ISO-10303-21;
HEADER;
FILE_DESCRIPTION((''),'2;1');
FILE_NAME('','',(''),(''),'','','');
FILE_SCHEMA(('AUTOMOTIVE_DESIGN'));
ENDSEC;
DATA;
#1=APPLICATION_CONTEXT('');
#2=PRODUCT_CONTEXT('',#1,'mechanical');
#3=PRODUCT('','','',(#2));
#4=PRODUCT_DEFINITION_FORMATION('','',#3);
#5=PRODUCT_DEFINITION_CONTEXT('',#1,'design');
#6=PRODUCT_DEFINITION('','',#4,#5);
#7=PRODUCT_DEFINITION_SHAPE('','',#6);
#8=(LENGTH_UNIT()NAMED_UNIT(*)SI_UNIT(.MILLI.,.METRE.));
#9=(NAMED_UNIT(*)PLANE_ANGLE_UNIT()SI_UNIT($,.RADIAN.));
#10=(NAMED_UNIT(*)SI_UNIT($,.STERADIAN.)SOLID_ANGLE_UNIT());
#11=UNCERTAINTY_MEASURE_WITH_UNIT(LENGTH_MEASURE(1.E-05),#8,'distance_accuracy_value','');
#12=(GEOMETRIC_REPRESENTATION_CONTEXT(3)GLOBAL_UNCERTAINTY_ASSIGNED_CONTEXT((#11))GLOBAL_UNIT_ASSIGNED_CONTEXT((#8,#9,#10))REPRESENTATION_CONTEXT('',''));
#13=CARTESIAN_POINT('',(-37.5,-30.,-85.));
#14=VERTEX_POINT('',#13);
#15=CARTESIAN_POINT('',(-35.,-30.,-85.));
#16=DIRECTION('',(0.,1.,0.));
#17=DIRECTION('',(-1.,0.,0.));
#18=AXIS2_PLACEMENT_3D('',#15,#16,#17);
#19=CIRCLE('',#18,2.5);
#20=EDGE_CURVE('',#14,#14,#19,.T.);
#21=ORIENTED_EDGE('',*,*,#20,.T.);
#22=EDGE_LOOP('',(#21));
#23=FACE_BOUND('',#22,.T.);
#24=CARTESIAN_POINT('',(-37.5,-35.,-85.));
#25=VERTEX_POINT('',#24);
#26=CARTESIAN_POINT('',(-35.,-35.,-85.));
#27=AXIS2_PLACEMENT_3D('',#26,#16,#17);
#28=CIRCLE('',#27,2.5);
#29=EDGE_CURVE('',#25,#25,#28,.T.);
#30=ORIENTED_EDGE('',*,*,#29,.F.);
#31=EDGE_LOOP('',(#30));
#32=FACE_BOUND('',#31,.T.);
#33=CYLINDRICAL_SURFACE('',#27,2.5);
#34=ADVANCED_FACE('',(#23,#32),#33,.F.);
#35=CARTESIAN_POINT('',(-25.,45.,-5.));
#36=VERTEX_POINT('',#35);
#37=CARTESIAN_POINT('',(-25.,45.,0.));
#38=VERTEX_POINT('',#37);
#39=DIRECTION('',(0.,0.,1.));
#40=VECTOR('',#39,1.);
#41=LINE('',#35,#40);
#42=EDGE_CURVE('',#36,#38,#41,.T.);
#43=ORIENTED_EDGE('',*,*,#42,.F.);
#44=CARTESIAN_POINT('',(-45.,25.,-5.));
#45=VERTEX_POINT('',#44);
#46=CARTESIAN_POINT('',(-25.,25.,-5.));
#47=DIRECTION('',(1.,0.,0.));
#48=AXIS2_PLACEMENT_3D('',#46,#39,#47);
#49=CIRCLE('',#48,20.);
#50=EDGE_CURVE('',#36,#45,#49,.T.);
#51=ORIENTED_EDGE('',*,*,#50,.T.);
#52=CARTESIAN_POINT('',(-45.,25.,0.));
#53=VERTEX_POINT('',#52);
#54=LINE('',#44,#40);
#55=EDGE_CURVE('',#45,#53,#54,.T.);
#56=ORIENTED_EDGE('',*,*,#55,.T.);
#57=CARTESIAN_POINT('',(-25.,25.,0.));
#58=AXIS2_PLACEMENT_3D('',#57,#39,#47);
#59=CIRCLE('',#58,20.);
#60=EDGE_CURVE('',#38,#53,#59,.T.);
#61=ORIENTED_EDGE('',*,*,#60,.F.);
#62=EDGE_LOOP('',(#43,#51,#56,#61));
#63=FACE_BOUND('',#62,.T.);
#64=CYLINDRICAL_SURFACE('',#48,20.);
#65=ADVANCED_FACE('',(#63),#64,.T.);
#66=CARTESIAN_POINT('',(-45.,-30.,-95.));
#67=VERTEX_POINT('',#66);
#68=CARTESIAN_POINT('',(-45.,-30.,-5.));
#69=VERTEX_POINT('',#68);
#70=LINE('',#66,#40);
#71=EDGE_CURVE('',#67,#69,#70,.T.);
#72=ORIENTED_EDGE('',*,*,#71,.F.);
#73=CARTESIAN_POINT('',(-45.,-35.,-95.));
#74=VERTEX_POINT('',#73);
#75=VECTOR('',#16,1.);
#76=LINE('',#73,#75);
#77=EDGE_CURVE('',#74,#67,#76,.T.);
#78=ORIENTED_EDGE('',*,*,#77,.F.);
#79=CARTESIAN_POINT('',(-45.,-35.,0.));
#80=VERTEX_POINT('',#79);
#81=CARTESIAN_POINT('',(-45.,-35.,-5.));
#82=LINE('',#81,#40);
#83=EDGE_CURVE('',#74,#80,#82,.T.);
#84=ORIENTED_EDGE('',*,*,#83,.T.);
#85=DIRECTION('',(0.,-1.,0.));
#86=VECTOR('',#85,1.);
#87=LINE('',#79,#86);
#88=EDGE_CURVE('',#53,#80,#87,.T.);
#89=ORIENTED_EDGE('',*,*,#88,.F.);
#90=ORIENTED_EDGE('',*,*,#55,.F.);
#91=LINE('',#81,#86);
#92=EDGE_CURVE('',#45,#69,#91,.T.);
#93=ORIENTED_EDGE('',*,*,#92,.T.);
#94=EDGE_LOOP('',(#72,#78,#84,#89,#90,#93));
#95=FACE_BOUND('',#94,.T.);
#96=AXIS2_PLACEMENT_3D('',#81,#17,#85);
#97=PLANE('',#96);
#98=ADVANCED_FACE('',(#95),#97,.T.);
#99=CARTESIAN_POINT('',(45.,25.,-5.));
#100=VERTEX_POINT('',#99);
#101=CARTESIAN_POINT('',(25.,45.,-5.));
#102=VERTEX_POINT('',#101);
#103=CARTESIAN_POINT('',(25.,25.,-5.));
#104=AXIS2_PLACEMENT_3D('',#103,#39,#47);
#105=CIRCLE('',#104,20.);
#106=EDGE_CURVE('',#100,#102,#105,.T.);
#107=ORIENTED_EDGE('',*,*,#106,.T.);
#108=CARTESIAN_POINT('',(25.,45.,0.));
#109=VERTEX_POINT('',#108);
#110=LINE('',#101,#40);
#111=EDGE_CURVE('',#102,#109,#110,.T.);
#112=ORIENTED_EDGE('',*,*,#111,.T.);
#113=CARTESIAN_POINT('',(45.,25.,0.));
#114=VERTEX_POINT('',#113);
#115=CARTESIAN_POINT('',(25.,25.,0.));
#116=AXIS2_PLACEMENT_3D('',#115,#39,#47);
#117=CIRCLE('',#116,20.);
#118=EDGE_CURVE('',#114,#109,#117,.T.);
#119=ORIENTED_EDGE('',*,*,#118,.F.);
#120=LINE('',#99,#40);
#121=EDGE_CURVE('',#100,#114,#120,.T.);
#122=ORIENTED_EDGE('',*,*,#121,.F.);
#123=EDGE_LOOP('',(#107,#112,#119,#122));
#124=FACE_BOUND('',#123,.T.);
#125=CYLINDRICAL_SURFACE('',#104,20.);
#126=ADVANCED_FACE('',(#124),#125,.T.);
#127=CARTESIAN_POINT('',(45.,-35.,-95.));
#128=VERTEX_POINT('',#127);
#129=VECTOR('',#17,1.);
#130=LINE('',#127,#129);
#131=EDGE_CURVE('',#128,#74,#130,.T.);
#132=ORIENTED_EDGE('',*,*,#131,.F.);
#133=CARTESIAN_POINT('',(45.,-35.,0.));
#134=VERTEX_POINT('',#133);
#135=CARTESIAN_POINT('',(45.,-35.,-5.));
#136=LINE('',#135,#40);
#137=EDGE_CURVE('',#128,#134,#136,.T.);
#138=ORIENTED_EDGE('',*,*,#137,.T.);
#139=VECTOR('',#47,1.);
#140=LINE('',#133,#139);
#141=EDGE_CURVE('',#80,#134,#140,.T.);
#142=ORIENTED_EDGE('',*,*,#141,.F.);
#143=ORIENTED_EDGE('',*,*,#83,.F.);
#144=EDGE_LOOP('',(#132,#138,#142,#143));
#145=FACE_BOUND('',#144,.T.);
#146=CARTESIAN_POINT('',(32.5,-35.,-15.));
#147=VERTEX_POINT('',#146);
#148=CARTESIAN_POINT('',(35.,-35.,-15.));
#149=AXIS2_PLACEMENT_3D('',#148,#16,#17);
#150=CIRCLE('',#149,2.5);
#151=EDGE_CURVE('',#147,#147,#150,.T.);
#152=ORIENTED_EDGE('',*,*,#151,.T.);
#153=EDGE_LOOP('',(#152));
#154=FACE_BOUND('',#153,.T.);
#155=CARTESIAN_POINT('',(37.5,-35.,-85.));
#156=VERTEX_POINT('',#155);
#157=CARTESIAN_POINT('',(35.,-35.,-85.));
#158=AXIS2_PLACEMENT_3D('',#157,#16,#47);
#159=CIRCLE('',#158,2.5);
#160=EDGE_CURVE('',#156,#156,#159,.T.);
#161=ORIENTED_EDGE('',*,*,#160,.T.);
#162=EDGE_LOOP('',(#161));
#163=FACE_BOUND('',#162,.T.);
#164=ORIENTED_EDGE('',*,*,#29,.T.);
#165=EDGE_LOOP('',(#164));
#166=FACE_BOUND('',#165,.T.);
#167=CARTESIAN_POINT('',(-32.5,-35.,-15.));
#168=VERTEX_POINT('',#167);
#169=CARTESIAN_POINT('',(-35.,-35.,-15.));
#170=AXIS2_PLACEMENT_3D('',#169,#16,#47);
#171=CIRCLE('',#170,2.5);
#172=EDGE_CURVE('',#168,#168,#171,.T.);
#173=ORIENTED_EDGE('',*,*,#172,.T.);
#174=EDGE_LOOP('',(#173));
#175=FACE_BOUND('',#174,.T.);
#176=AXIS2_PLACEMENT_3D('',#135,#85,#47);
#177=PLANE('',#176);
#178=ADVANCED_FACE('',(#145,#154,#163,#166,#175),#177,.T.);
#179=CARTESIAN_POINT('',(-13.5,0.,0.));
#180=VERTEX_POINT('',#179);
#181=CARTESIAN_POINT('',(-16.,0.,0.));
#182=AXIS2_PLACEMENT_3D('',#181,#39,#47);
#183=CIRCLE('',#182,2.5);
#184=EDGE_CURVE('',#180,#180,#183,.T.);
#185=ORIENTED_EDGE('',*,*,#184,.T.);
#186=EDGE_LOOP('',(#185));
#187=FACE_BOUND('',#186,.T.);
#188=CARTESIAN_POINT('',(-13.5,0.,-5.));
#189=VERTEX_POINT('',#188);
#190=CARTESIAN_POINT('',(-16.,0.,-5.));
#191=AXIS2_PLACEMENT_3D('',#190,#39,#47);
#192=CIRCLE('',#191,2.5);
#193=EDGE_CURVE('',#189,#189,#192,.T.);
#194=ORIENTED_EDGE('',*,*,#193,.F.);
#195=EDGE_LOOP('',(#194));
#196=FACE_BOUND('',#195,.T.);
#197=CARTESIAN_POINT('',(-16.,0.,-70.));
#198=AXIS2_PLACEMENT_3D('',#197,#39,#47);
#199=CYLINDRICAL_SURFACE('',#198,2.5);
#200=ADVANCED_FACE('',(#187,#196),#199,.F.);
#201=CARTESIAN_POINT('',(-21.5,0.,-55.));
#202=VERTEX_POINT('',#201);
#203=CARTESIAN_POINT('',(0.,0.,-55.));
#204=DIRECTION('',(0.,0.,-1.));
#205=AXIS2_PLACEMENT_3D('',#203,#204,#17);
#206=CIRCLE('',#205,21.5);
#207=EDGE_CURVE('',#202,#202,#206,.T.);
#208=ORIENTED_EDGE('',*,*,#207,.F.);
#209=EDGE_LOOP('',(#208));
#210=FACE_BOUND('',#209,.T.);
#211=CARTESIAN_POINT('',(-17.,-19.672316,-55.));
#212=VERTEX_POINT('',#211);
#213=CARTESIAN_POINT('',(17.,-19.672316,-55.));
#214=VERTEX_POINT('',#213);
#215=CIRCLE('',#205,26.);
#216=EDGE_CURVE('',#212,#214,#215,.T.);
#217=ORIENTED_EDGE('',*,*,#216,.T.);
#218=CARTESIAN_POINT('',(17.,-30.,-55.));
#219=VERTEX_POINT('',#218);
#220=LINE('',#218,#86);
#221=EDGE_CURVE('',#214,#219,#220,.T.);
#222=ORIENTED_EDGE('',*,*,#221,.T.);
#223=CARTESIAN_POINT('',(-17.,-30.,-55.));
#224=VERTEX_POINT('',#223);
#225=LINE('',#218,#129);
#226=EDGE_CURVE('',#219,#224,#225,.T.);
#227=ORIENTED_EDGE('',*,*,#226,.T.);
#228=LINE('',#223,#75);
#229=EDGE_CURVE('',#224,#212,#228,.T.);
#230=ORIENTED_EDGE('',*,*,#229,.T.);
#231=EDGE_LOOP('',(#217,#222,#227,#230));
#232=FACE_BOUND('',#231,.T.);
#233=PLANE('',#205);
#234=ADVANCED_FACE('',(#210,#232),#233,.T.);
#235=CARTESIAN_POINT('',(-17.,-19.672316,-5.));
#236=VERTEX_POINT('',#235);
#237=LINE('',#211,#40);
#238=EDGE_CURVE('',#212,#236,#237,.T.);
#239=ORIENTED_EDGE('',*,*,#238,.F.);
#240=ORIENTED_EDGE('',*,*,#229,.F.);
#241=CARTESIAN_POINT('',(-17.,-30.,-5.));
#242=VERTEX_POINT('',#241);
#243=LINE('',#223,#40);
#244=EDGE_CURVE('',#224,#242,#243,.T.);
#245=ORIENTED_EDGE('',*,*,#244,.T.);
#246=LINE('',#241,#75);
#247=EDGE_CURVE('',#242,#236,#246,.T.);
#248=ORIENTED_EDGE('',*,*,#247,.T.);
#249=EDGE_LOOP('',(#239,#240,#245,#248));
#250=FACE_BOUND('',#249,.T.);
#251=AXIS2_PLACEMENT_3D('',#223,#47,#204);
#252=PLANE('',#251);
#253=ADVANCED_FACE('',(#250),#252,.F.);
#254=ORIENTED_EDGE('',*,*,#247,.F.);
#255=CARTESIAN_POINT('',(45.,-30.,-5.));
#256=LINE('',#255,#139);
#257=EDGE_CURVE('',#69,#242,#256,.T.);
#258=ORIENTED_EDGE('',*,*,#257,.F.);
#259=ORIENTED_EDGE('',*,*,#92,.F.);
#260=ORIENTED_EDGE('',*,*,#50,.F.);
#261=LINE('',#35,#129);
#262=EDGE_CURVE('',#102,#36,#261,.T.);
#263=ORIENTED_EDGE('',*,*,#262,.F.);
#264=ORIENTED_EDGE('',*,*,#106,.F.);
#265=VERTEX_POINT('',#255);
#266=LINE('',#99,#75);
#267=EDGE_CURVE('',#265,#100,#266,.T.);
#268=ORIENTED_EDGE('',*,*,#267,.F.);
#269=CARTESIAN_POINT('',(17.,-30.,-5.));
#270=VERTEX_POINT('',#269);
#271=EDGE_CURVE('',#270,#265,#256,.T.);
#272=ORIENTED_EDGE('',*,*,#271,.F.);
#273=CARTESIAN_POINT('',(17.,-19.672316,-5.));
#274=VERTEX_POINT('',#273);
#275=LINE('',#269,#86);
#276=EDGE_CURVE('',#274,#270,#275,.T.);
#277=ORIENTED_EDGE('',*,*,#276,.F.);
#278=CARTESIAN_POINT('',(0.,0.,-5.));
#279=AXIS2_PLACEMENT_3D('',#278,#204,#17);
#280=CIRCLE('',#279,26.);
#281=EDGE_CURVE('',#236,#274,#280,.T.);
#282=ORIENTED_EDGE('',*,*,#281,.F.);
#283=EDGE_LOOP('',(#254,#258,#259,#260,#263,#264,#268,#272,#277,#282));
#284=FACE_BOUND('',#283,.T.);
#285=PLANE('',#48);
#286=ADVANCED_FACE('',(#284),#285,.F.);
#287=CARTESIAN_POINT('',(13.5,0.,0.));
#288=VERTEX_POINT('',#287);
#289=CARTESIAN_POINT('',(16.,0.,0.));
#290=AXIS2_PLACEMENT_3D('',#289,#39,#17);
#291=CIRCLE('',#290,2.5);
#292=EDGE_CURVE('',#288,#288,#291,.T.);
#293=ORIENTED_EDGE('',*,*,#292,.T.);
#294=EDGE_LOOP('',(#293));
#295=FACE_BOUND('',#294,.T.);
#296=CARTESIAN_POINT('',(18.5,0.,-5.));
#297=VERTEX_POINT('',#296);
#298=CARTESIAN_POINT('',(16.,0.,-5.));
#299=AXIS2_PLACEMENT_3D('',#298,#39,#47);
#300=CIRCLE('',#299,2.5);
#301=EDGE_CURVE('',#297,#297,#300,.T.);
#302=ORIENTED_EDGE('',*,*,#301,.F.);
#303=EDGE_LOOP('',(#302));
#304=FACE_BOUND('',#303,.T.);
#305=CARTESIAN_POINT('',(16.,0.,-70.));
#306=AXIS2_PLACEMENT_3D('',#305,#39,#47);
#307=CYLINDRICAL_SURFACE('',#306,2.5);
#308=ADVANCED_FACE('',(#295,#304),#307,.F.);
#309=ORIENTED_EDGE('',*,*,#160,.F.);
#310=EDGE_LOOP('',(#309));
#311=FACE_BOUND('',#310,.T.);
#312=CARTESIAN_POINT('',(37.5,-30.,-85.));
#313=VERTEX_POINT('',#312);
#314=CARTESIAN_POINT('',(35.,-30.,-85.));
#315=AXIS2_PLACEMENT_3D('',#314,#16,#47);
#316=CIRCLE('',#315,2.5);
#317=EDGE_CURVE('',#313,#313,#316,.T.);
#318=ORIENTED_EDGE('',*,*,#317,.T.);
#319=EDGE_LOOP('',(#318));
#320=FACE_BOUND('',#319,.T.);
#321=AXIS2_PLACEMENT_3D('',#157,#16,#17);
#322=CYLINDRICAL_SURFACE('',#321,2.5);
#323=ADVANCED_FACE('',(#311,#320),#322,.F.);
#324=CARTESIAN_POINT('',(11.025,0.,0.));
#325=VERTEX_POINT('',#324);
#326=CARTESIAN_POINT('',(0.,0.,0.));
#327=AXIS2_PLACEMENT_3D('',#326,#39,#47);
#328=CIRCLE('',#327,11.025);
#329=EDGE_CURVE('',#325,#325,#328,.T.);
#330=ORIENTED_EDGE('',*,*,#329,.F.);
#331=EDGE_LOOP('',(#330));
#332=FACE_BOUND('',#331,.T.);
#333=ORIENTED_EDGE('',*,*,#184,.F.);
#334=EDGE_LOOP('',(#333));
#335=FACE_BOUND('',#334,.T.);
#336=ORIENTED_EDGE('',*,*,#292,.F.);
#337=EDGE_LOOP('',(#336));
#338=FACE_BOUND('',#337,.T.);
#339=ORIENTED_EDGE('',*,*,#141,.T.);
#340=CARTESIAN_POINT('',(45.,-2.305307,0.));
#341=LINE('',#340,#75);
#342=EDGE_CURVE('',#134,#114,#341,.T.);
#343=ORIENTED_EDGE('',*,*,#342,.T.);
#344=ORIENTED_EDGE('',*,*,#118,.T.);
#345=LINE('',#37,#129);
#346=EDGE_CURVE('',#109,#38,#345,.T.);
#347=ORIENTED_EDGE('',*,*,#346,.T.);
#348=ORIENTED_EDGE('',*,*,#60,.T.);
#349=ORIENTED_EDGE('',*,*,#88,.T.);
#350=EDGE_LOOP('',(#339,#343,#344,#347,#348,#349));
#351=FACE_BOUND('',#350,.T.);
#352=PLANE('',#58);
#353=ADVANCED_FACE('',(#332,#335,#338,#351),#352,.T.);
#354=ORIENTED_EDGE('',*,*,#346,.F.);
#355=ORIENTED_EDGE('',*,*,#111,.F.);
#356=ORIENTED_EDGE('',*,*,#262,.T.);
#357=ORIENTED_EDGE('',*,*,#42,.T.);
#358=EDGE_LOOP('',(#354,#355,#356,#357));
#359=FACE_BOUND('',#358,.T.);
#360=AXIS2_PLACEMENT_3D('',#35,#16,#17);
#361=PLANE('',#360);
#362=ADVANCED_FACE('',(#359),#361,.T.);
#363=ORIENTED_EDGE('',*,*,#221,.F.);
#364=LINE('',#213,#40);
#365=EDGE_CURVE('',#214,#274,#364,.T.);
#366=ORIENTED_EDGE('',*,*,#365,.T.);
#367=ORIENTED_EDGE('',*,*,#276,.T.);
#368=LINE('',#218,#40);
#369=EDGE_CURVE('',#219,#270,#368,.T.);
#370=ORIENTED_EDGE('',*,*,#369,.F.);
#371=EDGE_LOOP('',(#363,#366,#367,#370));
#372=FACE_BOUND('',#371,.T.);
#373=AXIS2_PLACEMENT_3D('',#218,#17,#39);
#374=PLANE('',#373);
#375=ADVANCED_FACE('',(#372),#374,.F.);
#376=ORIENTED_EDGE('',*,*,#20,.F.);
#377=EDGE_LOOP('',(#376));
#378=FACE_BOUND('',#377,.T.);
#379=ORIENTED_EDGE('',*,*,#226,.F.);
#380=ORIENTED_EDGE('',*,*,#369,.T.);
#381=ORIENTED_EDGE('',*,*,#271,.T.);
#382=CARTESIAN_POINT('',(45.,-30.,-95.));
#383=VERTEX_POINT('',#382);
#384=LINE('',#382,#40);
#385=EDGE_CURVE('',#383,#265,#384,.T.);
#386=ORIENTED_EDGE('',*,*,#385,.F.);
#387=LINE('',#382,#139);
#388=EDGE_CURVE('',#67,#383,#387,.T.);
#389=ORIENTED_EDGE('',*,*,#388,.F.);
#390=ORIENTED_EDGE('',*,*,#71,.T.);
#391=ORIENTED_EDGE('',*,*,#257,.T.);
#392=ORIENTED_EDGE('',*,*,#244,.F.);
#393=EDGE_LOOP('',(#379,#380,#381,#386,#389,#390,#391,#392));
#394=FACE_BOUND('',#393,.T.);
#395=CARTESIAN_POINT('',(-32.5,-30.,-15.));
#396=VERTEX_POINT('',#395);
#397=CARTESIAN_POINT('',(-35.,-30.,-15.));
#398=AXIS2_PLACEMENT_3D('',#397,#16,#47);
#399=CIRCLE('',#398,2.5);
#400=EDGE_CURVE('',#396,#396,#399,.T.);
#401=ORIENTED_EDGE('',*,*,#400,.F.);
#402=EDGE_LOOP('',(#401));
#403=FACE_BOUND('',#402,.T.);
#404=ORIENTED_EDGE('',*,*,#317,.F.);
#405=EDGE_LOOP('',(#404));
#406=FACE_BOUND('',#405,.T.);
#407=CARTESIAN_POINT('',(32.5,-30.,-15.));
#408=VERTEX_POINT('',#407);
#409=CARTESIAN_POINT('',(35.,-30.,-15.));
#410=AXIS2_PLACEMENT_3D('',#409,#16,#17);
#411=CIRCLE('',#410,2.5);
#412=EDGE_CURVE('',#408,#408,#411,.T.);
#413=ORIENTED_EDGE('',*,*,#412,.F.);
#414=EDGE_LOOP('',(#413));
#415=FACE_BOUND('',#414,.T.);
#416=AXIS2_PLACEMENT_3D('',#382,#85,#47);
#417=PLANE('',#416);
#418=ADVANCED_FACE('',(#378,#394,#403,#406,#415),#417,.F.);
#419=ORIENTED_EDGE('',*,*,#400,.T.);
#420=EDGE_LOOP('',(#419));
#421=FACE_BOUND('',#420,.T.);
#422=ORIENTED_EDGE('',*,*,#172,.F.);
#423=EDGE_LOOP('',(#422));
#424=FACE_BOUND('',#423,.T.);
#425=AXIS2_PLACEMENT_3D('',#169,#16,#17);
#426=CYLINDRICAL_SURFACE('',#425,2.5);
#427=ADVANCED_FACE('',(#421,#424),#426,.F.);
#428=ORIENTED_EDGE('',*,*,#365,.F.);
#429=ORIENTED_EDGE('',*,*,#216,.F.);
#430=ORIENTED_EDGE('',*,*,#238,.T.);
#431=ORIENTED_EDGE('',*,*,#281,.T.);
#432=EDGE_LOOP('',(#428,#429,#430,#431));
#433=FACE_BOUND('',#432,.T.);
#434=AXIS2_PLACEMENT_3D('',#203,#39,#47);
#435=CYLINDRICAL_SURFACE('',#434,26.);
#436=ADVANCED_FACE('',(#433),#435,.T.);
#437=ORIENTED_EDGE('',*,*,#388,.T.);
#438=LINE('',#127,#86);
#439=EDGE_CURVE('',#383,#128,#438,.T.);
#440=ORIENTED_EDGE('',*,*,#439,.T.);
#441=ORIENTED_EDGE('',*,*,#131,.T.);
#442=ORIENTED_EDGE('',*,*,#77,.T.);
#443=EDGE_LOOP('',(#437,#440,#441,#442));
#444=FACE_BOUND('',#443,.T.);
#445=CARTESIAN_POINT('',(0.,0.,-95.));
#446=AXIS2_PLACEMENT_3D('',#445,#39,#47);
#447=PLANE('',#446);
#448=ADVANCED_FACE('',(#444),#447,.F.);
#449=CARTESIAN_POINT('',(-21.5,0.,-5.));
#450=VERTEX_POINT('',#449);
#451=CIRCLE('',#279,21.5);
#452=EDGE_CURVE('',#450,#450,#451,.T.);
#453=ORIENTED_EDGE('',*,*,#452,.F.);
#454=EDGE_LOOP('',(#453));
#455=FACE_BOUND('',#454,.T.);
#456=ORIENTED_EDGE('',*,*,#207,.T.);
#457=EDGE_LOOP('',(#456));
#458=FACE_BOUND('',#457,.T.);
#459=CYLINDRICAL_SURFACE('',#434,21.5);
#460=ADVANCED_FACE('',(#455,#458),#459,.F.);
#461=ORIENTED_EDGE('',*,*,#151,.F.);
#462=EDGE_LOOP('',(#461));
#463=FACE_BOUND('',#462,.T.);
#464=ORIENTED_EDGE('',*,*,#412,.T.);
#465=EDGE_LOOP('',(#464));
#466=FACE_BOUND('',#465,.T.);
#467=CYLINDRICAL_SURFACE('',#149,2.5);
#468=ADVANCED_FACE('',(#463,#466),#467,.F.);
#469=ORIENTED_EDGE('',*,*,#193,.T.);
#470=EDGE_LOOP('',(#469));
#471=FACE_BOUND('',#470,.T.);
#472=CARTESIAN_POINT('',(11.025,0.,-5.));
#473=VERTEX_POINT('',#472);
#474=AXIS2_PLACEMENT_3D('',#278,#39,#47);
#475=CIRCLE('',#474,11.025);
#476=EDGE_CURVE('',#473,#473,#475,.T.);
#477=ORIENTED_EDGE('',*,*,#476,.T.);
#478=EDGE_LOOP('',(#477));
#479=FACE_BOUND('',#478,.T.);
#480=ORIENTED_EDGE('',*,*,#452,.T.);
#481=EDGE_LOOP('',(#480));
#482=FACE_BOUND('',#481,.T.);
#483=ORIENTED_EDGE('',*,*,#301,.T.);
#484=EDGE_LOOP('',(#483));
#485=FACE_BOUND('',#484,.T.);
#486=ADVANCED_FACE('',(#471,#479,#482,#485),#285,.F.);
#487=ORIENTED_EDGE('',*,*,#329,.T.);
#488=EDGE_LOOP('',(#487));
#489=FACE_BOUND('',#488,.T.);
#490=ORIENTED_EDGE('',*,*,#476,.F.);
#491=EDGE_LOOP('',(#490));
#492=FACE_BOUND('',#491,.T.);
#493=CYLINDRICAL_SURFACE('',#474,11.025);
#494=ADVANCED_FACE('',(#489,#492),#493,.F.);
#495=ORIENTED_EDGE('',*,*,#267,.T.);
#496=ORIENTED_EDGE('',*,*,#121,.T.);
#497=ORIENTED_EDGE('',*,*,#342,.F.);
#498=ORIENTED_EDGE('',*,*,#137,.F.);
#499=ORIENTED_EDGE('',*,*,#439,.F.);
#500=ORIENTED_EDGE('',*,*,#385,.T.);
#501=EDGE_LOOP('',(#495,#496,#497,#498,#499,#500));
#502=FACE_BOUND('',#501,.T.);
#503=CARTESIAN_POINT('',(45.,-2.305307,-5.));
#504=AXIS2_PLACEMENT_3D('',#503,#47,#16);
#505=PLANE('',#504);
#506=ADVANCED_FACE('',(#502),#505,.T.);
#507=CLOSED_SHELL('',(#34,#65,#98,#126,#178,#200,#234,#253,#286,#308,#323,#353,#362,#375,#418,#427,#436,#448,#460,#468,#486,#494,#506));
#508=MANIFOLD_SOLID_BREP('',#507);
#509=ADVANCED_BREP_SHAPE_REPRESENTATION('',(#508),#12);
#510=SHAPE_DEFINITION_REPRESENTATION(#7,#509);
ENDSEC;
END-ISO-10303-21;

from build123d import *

# Parameters (mm, degrees)
CROQUIS1_R              = 11.025
SALIENTE_EXTRUIR1_DEPTH = 5
CROQUIS2_W              = 90
CROQUIS2_H              = 5
SALIENTE_EXTRUIR2_DEPTH = 90
CROQUIS3_R              = 21.5
SALIENTE_EXTRUIR3_DEPTH = 50
CROQUIS4_R              = 2.5
CORTAR_EXTRUIR1_DEPTH   = 70
CROQUIS5_R              = 2.5
CORTAR_EXTRUIR2_DEPTH   = 130.131715701


with BuildPart() as part:
    # Croquis1 → Saliente-Extruir1 (new body)
    with BuildSketch(Plane.XY):
        with BuildLine():
            Line((45, -2.305306559), (45, -35))
            Line((45, -35), (-45, -35))
            Line((-45, -35), (-45, 25))
            ThreePointArc((-45, 25), (-39.142135624, 39.142135624), (-25, 45))
            Line((-25, 45), (25, 45))
            ThreePointArc((25, 45), (39.142135624, 39.142135624), (45, 25))
            Line((45, 25), (45, -2.305306559))
        make_face()
        Circle(CROQUIS1_R, mode=Mode.SUBTRACT)
    extrude(amount=-SALIENTE_EXTRUIR1_DEPTH)

    # Croquis2 → Saliente-Extruir2 (add)
    with BuildSketch(Plane(origin=(0, 0, -5), x_dir=(-1, 0, 0), z_dir=(0, 0, -1))):
        with Locations((0, -32.5)):
            Rectangle(CROQUIS2_W, CROQUIS2_H)
    extrude(amount=SALIENTE_EXTRUIR2_DEPTH)

    # Croquis3 → Saliente-Extruir3 (add)
    with BuildSketch(Plane(origin=(0, 0, -5), x_dir=(-1, 0, 0), z_dir=(0, 0, -1))):
        with BuildLine():
            Line((17, -30), (17, -19.672315573))
            ThreePointArc((17, -19.672315573), (0, 26), (-17, -19.672315573))
            Line((-17, -19.672315573), (-17, -30))
            Line((-17, -30), (17, -30))
        make_face()
        Circle(CROQUIS3_R, mode=Mode.SUBTRACT)
    extrude(amount=SALIENTE_EXTRUIR3_DEPTH)

    # Croquis4 → Cortar-Extruir1 (cut)
    with BuildSketch(Plane.XY):
        with Locations((-16, 0)):
            Circle(CROQUIS4_R)
        with Locations((16, 0)):
            Circle(CROQUIS4_R)
    extrude(amount=-CORTAR_EXTRUIR1_DEPTH, mode=Mode.SUBTRACT)

    # Croquis5 → Cortar-Extruir2 (cut, through all)
    with BuildSketch(Plane(origin=(0, -30, 0), x_dir=(1, 0, 0), z_dir=(0, 1, 0))):
        with Locations(Location((-35, 85, 0), (0, 0, 180))):
            Circle(CROQUIS5_R)
        with Locations((35, 85)):
            Circle(CROQUIS5_R)
        with Locations(Location((35, 15, 0), (0, 0, 180))):
            Circle(CROQUIS5_R)
        with Locations((-35, 15)):
            Circle(CROQUIS5_R)
    extrude(amount=-CORTAR_EXTRUIR2_DEPTH, mode=Mode.SUBTRACT)


solid = part.part
